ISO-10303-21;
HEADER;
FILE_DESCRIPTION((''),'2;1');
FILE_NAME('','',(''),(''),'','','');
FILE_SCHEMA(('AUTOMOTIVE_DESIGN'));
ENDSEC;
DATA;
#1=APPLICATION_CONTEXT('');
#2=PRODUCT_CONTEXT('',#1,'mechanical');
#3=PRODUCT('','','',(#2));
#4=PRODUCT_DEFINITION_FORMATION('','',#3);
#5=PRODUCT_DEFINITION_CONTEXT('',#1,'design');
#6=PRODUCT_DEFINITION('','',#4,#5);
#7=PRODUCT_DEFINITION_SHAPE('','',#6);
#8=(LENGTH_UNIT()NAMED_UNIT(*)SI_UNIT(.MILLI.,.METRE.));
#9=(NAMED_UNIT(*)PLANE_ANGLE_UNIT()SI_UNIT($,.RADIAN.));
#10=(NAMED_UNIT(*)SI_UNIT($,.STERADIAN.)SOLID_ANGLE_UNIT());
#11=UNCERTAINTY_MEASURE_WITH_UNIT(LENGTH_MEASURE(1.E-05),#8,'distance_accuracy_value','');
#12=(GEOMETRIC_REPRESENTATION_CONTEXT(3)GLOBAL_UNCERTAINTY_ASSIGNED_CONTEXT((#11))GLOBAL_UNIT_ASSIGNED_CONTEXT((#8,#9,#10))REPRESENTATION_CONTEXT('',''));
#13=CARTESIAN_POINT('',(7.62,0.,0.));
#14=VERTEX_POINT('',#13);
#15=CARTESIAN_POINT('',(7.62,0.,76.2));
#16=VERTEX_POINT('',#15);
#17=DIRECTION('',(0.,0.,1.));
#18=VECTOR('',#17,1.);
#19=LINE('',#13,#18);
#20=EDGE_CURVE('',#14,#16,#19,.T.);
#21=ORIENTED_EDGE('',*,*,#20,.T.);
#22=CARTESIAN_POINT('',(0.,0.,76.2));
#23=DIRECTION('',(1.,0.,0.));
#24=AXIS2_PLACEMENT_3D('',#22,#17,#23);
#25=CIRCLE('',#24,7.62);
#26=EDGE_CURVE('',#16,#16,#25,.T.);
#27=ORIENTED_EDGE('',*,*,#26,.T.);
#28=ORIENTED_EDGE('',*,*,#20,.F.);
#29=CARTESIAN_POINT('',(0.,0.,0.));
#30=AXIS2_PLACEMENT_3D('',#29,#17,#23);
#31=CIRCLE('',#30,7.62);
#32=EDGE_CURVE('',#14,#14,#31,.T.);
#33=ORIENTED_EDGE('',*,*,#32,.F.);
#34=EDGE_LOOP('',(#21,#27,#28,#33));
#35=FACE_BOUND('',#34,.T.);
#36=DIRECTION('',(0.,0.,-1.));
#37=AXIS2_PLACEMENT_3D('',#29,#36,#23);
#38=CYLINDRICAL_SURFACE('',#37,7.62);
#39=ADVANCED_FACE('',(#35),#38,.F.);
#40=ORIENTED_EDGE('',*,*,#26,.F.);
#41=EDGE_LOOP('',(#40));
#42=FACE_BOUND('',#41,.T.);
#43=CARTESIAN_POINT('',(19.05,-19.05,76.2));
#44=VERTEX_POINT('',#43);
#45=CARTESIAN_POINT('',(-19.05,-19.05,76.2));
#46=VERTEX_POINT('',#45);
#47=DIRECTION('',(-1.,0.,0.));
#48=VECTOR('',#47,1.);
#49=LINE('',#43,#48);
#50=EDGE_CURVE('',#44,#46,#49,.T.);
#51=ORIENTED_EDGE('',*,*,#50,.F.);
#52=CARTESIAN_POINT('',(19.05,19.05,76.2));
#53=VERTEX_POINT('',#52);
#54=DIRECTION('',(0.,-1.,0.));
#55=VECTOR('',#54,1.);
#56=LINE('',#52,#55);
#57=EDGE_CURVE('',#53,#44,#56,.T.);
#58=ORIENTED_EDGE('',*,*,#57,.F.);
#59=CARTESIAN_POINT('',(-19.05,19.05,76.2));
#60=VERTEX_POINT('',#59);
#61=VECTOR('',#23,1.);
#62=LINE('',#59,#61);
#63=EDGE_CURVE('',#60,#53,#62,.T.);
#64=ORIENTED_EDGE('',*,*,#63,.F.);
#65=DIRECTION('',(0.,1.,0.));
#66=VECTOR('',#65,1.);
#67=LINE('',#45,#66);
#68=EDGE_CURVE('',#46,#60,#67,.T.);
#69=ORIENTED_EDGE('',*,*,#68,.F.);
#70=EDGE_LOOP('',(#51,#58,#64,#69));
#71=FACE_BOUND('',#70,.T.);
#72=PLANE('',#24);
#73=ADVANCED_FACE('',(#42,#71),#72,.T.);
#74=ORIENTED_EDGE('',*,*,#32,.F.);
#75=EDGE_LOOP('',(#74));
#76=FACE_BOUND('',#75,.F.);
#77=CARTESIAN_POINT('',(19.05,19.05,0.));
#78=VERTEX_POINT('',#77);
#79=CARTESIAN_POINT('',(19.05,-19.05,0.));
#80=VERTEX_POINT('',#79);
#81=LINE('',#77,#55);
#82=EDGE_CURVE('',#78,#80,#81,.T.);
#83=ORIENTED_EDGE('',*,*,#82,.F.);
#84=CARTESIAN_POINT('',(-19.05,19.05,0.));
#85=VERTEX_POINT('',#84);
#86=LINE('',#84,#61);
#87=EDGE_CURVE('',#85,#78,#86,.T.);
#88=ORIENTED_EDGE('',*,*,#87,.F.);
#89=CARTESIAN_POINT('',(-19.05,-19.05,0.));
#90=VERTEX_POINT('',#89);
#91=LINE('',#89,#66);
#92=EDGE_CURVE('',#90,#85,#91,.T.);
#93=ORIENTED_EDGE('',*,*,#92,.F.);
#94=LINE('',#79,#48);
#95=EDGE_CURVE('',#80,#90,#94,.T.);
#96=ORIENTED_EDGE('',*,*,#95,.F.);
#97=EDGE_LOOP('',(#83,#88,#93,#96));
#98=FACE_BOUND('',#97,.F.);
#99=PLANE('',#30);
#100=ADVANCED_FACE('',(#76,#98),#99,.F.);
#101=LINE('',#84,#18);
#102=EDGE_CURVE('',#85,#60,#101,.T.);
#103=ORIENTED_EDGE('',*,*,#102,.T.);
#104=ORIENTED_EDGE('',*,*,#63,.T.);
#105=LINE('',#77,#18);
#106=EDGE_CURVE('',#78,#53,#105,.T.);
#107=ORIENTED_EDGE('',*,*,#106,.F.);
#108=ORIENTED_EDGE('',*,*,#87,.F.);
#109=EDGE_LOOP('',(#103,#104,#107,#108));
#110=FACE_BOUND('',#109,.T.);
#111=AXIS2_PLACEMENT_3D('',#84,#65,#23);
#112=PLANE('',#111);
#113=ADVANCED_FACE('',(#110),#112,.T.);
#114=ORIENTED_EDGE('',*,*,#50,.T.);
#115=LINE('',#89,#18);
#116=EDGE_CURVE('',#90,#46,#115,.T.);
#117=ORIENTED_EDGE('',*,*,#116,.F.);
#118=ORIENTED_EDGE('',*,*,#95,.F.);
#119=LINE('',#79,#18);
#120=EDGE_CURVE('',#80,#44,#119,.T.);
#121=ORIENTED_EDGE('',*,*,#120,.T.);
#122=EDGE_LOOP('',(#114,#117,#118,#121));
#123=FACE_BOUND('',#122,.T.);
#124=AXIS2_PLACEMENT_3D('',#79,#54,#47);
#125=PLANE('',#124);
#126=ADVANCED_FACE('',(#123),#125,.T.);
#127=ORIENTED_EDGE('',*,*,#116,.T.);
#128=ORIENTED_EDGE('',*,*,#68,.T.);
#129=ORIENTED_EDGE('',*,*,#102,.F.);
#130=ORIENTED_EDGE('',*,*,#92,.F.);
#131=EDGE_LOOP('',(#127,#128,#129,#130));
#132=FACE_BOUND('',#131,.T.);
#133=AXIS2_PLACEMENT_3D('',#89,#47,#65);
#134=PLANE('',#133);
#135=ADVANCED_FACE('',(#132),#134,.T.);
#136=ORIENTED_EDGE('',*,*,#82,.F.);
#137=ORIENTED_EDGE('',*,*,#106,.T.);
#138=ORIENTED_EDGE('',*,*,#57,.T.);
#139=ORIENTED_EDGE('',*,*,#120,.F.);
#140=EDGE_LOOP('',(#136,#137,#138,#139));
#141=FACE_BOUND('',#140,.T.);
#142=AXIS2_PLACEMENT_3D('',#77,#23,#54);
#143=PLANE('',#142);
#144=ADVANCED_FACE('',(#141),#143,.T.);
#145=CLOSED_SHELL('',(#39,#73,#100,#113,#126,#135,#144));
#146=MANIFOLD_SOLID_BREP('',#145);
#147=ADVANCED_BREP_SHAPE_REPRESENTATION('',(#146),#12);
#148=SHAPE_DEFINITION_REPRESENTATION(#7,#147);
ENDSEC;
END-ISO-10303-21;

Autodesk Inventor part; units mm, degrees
ref_plane "YZ Plane" through (0, 0, 0) normal (1, 0, 0) x (0, 1, 0)
ref_plane "XZ Plane" through (0, 0, 0) normal (0, 1, 0) x (-1, 0, 0)
ref_plane "XY Plane" through (0, 0, 0) normal (0, 0, 1) x (1, 0, 0)
sketch "Sketch1" plane through (0, 0, 0) normal (0, 0, 1) x (1, 0, 0)
  line L0 (19.05, -19.05) -> (-19.05, -19.05)
  line L1 (-19.05, -19.05) -> (-19.05, 19.05)
  line L2 (-19.05, 19.05) -> (19.05, 19.05)
  line L3 (19.05, 19.05) -> (19.05, -19.05)
  circle A0 centre (0, 0) radius 7.62
  dimension "d0" = 38.1
  dimension "d1" = 15.24
extrude "Extrusion1" add sketch "Sketch1" along normal blind 76.2
properties part number "middleAXIS"
